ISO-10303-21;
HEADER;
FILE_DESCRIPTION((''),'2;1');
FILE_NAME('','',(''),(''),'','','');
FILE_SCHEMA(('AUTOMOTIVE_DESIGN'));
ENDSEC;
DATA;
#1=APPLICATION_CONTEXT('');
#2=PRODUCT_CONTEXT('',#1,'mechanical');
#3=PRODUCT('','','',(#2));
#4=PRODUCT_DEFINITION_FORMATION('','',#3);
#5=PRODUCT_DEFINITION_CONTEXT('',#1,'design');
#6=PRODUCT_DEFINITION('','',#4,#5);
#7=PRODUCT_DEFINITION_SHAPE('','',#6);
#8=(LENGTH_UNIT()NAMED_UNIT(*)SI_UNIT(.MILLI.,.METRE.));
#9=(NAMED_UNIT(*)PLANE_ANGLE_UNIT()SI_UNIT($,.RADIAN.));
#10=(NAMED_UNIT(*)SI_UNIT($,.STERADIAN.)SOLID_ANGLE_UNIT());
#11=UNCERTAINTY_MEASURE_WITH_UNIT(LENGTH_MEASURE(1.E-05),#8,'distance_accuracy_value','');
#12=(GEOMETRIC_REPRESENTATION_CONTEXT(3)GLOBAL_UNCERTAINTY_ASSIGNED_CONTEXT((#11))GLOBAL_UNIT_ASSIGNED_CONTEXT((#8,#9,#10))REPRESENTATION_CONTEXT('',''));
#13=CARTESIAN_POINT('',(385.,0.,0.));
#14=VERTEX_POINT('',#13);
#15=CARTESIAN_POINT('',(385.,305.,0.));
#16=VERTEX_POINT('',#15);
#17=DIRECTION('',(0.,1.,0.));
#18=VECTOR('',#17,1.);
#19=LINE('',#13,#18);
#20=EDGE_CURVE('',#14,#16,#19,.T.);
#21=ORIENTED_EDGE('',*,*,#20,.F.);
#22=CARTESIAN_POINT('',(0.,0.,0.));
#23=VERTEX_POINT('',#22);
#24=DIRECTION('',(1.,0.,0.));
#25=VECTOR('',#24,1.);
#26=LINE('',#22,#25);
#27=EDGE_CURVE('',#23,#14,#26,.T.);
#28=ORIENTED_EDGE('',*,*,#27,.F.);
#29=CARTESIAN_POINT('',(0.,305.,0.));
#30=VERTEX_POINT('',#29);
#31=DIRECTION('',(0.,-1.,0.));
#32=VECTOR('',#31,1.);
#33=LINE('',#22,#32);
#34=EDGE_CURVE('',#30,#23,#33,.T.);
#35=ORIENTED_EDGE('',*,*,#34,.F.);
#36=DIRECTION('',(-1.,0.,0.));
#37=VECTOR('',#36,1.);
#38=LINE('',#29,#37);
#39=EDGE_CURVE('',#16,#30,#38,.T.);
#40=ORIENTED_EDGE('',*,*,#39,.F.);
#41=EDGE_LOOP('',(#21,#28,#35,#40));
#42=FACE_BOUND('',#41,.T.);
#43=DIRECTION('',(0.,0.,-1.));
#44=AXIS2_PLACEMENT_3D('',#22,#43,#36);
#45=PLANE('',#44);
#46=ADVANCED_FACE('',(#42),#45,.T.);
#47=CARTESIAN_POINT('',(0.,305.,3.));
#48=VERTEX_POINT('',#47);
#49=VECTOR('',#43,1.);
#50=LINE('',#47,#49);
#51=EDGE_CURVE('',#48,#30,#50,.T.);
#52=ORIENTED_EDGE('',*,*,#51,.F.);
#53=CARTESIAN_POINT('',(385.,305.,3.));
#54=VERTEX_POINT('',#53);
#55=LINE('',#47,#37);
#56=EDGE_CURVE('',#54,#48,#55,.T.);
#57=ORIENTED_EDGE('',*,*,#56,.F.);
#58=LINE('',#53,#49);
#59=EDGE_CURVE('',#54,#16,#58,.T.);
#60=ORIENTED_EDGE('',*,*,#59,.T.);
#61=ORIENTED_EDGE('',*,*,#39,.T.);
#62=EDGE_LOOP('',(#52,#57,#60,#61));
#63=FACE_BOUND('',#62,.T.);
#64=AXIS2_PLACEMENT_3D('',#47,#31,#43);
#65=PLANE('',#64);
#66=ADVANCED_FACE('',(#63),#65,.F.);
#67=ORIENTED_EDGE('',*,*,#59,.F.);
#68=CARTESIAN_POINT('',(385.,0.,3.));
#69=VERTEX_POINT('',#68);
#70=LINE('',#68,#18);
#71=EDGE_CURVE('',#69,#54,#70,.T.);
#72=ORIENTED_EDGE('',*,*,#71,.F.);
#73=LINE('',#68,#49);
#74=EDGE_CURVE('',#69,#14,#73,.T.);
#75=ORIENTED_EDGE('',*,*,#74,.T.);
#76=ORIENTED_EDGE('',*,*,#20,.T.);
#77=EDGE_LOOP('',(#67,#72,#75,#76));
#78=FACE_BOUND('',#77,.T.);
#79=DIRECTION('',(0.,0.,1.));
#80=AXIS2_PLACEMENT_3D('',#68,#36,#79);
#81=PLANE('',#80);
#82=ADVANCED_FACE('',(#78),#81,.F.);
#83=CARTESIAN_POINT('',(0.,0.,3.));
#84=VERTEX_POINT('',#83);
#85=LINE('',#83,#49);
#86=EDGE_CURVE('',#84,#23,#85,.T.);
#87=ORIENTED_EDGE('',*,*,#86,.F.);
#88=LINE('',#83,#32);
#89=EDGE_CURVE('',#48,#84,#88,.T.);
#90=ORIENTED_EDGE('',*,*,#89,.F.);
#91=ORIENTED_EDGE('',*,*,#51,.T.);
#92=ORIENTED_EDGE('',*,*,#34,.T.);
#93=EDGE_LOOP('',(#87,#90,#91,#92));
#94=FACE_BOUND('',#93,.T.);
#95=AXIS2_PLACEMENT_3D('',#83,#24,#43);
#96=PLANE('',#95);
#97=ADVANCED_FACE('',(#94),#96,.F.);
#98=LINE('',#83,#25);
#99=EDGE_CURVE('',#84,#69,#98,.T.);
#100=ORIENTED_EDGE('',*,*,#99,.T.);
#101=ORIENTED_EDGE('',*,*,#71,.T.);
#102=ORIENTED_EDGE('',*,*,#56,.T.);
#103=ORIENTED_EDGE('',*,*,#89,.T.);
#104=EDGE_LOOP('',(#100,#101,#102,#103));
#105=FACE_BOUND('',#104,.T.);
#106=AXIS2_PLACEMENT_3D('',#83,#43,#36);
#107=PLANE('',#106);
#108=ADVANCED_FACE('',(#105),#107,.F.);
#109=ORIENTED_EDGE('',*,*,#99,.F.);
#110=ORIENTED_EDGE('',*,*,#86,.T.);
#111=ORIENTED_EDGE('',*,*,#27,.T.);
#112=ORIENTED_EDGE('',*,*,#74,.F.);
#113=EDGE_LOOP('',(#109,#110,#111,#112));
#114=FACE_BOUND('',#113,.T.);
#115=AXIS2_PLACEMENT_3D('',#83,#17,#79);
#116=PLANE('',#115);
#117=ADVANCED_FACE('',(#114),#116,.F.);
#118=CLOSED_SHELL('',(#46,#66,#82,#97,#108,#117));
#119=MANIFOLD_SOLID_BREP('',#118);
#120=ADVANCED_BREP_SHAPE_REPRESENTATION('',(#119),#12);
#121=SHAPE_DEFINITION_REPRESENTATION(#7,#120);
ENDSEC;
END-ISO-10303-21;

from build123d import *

# Parameters (mm, degrees)
CROQUIS1_W              = 385
CROQUIS1_H              = 305
SALIENTE_EXTRUIR1_DEPTH = 3


with BuildPart() as part:
    # Croquis1 → Saliente-Extruir1 (new body)
    with BuildSketch(Plane.XY):
        with Locations((192.5, 152.5)):
            Rectangle(CROQUIS1_W, CROQUIS1_H)
    extrude(amount=SALIENTE_EXTRUIR1_DEPTH)


solid = part.part
